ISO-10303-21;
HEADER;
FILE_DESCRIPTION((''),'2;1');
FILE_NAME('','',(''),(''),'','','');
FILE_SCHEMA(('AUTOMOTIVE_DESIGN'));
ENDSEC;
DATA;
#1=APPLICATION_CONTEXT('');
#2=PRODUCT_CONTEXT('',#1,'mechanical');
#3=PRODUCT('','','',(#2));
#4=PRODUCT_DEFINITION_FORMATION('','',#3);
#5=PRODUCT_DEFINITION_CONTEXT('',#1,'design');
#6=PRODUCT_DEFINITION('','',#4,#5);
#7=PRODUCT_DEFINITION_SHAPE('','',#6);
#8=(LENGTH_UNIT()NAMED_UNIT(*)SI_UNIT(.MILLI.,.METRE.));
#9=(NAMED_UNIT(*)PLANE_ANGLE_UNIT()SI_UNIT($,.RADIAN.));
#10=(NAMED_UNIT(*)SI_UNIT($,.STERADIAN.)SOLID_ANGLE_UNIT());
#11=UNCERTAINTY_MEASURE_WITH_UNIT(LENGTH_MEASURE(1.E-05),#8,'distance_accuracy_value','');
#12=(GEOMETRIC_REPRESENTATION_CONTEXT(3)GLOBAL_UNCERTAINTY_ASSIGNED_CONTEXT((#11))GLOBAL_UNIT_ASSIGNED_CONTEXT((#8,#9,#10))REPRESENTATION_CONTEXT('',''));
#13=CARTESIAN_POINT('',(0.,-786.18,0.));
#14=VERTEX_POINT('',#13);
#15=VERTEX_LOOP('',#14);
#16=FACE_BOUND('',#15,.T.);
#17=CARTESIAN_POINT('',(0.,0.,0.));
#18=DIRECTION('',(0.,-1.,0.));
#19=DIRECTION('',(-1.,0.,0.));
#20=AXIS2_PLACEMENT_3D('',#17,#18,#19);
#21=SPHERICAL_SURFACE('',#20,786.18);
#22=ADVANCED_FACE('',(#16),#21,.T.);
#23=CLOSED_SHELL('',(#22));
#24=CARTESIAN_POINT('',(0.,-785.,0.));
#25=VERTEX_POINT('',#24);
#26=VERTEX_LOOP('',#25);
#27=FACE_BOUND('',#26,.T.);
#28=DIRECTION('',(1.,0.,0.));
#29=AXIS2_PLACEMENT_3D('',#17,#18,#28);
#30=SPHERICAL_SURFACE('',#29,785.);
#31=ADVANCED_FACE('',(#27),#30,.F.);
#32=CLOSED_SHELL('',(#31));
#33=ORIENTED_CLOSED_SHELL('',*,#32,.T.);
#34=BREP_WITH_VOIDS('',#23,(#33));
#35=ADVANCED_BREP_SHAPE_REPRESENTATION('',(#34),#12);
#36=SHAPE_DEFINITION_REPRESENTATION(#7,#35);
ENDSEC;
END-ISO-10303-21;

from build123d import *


with BuildPart() as part:
    # Sketch1 → Revolve3 (revolve)
    with BuildSketch(Plane.XY):
        with BuildLine():
            Line((0, 786.18), (0, 785))
            ThreePointArc((0, 785), (-785, 0), (0, -785))
            Line((0, -785), (0, -786.18))
            ThreePointArc((0, -786.18), (-786.18, 0), (0, 786.18))
        make_face()
    revolve(axis=Axis((0, 0, 0), (0, 1, 0)))


solid = part.part
